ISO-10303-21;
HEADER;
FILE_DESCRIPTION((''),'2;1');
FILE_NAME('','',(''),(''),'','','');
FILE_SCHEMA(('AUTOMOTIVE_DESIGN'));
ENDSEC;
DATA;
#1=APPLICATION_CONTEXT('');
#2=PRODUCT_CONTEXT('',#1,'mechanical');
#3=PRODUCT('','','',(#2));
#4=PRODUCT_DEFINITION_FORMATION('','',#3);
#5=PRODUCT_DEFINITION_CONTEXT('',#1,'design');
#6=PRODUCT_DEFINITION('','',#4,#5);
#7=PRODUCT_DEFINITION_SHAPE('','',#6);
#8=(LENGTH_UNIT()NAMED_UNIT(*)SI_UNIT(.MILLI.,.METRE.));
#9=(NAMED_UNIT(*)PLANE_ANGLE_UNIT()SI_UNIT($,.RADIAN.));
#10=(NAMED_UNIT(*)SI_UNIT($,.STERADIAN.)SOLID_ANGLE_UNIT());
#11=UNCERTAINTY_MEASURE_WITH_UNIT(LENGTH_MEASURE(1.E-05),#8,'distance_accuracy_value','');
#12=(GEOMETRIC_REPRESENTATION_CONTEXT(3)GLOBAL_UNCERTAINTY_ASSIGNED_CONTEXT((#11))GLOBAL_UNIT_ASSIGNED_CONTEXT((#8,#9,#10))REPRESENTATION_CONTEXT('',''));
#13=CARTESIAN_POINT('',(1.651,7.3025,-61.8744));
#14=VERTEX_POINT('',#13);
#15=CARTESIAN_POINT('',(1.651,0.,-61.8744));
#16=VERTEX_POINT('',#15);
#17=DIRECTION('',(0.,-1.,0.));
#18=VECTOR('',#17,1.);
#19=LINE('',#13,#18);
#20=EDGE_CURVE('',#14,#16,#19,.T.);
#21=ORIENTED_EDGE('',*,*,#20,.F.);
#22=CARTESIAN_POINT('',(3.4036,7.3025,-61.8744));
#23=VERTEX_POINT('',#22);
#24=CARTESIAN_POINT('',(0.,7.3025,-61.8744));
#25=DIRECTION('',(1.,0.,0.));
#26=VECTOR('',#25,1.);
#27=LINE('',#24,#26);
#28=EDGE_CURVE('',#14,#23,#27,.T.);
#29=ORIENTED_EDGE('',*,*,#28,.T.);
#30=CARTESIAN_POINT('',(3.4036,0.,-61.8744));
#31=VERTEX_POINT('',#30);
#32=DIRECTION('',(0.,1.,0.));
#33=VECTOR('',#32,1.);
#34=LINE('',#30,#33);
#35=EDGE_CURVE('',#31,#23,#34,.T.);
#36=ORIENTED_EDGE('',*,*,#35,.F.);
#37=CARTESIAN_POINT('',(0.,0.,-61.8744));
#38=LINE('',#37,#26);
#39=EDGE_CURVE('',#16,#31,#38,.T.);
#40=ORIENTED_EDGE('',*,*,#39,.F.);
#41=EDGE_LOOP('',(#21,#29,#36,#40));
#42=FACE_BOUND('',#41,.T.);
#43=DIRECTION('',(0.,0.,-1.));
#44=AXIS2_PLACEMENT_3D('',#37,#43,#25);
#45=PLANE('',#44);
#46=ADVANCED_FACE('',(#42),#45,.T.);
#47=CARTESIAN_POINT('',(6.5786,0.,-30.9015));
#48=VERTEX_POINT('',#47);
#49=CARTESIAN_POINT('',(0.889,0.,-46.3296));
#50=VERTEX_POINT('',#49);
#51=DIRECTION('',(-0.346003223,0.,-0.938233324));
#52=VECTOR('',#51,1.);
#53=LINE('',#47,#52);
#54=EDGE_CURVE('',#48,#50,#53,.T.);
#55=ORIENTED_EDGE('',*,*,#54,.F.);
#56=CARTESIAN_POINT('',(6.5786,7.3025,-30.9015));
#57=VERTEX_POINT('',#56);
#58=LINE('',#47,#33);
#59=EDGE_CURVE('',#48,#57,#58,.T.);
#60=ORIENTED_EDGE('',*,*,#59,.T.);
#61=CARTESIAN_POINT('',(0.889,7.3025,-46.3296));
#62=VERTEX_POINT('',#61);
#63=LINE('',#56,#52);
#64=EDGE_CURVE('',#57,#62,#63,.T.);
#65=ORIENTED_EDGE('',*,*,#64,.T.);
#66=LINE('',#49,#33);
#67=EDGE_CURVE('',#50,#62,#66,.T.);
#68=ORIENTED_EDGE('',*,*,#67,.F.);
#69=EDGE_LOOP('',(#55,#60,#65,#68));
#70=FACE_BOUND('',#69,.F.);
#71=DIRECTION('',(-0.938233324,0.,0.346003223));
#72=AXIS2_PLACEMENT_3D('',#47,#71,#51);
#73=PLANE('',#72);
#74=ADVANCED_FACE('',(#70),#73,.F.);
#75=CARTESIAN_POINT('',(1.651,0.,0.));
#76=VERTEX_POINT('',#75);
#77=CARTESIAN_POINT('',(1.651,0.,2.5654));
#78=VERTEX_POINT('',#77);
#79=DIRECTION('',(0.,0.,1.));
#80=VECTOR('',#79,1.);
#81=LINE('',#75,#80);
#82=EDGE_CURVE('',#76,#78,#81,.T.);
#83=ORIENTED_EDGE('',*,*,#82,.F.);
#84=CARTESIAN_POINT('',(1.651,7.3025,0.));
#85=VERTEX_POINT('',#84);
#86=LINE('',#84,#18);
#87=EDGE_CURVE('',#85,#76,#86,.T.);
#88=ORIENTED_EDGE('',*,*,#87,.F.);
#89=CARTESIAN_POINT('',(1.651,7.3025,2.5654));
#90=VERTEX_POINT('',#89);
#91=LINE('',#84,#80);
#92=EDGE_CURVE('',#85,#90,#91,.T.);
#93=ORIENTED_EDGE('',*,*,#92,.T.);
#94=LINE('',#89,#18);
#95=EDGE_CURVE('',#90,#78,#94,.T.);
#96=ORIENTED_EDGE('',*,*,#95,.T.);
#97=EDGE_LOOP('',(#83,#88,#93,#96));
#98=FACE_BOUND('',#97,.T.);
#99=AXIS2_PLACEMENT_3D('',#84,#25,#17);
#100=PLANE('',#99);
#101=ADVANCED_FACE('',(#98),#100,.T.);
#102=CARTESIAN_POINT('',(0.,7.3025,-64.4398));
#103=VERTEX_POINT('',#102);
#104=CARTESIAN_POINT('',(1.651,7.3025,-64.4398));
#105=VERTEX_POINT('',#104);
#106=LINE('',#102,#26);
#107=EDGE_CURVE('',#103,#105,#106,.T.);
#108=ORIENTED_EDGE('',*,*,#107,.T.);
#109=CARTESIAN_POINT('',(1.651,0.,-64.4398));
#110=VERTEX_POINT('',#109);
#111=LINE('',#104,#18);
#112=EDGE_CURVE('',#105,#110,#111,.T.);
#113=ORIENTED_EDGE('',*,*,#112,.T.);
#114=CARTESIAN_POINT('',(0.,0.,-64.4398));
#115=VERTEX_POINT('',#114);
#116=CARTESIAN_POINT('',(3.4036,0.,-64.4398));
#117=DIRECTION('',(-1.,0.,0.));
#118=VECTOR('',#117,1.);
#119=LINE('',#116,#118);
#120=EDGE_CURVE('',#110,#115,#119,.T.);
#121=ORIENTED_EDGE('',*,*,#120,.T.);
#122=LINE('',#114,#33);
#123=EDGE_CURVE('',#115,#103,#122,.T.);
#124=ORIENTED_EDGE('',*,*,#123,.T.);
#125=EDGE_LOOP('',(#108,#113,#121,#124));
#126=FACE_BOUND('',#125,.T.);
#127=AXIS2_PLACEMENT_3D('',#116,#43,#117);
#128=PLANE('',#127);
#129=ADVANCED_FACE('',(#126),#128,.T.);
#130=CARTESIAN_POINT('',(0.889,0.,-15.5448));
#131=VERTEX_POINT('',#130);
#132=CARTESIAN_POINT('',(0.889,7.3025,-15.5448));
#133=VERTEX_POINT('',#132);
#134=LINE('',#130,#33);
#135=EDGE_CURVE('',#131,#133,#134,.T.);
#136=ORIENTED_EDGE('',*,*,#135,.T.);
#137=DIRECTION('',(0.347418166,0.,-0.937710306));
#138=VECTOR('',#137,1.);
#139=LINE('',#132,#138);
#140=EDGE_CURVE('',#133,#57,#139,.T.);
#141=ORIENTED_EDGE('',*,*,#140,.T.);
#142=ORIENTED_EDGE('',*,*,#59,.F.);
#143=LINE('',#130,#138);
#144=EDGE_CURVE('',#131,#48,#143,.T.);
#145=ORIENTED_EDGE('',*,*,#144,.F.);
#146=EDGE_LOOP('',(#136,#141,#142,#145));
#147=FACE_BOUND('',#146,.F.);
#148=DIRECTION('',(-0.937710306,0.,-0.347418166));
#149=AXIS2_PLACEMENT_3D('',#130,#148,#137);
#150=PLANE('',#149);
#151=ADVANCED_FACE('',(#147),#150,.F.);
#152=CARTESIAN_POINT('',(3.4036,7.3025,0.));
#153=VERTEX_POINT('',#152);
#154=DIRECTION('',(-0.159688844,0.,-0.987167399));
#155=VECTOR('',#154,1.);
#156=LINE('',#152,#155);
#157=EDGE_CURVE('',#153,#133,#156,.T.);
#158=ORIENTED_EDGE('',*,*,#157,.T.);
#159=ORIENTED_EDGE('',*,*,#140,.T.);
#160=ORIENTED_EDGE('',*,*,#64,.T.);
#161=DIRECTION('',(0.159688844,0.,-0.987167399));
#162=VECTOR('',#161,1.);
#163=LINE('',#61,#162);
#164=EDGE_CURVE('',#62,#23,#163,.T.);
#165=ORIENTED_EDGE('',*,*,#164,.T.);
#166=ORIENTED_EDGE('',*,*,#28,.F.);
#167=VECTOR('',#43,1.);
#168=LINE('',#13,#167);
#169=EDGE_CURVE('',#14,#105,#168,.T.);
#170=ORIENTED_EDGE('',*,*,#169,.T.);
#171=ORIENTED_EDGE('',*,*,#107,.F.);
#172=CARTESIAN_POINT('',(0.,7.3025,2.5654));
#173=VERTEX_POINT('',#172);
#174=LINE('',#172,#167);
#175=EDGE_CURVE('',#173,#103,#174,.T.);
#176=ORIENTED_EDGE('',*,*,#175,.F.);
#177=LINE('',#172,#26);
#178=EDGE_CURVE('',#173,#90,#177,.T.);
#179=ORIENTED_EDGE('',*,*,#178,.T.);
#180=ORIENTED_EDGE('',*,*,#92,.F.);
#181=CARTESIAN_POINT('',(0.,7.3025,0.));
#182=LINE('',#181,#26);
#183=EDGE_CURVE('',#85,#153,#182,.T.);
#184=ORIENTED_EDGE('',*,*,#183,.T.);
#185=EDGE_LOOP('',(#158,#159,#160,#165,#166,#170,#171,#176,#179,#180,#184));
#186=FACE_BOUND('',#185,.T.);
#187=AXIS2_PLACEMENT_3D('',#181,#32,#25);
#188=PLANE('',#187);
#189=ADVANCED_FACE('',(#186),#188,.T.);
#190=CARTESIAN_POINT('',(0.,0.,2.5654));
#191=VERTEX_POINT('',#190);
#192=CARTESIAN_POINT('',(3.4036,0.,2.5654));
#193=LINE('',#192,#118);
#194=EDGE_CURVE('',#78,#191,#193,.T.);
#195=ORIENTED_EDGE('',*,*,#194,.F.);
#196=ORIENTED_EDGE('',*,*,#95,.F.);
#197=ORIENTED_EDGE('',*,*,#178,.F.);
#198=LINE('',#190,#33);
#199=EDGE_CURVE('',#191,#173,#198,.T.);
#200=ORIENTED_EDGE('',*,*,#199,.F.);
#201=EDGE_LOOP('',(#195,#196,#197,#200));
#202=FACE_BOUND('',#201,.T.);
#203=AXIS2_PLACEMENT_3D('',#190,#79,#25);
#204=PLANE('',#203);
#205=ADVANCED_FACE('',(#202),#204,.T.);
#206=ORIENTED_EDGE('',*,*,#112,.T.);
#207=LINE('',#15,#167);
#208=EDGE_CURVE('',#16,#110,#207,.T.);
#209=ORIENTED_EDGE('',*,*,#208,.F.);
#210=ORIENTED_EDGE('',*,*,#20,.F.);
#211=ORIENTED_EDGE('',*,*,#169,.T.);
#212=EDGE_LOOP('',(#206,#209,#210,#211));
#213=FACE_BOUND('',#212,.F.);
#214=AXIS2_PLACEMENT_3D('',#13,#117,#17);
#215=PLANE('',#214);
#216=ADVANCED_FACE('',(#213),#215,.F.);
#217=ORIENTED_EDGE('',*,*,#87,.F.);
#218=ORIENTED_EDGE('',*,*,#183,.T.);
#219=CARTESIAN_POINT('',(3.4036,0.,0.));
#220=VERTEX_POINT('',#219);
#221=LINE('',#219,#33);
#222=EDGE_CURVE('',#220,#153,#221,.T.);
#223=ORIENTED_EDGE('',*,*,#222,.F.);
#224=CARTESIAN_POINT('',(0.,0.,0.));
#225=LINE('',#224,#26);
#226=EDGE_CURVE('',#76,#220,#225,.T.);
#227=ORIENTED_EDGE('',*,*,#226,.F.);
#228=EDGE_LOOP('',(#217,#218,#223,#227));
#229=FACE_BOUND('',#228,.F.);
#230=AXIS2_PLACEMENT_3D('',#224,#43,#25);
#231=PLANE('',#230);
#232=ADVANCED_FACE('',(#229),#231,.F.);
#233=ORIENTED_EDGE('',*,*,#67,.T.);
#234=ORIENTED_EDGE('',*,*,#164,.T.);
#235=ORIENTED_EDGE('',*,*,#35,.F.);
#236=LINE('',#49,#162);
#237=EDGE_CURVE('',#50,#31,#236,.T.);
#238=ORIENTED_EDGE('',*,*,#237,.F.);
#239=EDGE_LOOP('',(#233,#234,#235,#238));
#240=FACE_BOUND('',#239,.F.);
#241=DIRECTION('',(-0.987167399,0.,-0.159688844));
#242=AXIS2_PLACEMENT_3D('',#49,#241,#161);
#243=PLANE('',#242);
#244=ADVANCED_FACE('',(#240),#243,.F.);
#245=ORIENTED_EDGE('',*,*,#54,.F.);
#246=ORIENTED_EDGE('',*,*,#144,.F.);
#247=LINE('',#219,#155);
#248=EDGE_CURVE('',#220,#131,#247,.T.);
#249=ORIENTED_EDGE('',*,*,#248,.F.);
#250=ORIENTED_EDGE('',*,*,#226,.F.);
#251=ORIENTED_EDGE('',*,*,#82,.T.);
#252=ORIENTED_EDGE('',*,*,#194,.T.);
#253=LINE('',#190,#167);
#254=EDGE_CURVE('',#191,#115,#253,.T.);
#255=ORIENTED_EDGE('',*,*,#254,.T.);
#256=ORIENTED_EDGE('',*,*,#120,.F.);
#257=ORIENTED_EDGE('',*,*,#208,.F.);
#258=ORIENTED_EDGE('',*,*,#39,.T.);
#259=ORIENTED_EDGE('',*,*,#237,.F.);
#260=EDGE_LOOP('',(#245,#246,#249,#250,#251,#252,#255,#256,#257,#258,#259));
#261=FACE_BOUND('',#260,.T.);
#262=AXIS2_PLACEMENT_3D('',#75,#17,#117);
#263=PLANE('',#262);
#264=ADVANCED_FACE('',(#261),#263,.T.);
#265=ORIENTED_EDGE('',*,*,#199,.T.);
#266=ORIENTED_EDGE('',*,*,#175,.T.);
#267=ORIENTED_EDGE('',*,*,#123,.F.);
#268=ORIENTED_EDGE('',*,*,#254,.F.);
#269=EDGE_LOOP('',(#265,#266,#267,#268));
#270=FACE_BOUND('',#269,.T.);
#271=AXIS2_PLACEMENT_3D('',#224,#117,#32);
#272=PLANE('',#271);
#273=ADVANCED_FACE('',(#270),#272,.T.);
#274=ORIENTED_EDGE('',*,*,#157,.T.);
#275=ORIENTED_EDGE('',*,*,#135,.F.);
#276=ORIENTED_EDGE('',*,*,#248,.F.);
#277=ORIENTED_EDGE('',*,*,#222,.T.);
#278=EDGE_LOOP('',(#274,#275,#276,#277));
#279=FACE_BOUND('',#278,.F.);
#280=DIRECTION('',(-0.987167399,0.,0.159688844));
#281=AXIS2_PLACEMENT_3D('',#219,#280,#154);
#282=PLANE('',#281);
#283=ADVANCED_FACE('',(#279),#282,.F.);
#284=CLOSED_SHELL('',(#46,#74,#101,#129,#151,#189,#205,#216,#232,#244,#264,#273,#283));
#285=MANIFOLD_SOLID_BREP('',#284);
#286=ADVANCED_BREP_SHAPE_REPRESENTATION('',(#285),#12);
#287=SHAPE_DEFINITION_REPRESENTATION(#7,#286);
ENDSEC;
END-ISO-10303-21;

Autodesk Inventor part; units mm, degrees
ref_plane "YZ Plane" through (0, 0, 0) normal (1, 0, 0) x (0, 1, 0)
ref_plane "XZ Plane" through (0, 0, 0) normal (0, 1, 0) x (-1, 0, 0)
ref_plane "XY Plane" through (0, 0, 0) normal (0, 0, 1) x (1, 0, 0)
sketch "Sketch1" plane through (0, 0, 0) normal (0, 1, 0) x (-1, 0, 0)
  line L0 (0, 0) -> (0, -61.8744)
  line L1 (0, 0) -> (-3.4036, 0)
  line L2 (0, -61.8744) -> (-3.4036, -61.8744)
  line L3 (-3.4036, 0) -> (-0.889, -15.5448)
  line L4 (-0.889, -15.5448) -> (-6.5786, -30.9015)
  line L5 (-6.5786, -30.9015) -> (-0.889, -46.3296)
  line L6 (-0.889, -46.3296) -> (-3.4036, -61.8744)
  dimension "d0" = 61.8744
  dimension "d1" = 3.4036
  dimension "d2" = 3.4036
  dimension "d3" = 15.5448
  dimension "d4" = 31.0642
  dimension "d5" = 15.5448
  dimension "d6" = 0.889
  dimension "d7" = 0.889
  dimension "d10" = 6.5786
extrude "Extrusion1" add sketch "Sketch1" along normal blind 7.3025
sketch "Sketch2" plane through (0, 0, 0) normal (0, 0, 1) x (1, 0, 0)
  line L0 (3.4036, 0) -> (0, 0) projected
  line L1 (1.651, 0) -> (0, 0)
  line L2 (0, 7.3025) -> (1.651, 7.3025)
  line L3 (1.651, 7.3025) -> (1.651, 0)
  line L4 (1.651, 0) -> (0, 0)
  line L5 (0, 0) -> (0, 7.3025)
  dimension "d17" = 1.651
sketch "Sketch3" plane through (3.4036, 0, -61.8744) normal (0, 0, -1) x (-1, 0, 0)
  line L0 (3.4036, 7.3025) -> (0, 7.3025) projected
  line L1 (0, 0) -> (3.4036, 0) projected
  line L2 (3.4036, 7.3025) -> (1.7526, 7.3025)
  line L3 (1.7526, 7.3025) -> (1.7526, 0)
  line L4 (1.7526, 0) -> (3.4036, 0)
  line L5 (3.4036, 0) -> (3.4036, 7.3025)
  dimension "d12" = 1.651
extrude "Extrusion2" add sketch "Sketch3" along normal blind 2.5654
extrude "Extrusion3" add sketch "Sketch2" along normal blind 2.5654
properties part number "short_insert_invert_CPY3"
